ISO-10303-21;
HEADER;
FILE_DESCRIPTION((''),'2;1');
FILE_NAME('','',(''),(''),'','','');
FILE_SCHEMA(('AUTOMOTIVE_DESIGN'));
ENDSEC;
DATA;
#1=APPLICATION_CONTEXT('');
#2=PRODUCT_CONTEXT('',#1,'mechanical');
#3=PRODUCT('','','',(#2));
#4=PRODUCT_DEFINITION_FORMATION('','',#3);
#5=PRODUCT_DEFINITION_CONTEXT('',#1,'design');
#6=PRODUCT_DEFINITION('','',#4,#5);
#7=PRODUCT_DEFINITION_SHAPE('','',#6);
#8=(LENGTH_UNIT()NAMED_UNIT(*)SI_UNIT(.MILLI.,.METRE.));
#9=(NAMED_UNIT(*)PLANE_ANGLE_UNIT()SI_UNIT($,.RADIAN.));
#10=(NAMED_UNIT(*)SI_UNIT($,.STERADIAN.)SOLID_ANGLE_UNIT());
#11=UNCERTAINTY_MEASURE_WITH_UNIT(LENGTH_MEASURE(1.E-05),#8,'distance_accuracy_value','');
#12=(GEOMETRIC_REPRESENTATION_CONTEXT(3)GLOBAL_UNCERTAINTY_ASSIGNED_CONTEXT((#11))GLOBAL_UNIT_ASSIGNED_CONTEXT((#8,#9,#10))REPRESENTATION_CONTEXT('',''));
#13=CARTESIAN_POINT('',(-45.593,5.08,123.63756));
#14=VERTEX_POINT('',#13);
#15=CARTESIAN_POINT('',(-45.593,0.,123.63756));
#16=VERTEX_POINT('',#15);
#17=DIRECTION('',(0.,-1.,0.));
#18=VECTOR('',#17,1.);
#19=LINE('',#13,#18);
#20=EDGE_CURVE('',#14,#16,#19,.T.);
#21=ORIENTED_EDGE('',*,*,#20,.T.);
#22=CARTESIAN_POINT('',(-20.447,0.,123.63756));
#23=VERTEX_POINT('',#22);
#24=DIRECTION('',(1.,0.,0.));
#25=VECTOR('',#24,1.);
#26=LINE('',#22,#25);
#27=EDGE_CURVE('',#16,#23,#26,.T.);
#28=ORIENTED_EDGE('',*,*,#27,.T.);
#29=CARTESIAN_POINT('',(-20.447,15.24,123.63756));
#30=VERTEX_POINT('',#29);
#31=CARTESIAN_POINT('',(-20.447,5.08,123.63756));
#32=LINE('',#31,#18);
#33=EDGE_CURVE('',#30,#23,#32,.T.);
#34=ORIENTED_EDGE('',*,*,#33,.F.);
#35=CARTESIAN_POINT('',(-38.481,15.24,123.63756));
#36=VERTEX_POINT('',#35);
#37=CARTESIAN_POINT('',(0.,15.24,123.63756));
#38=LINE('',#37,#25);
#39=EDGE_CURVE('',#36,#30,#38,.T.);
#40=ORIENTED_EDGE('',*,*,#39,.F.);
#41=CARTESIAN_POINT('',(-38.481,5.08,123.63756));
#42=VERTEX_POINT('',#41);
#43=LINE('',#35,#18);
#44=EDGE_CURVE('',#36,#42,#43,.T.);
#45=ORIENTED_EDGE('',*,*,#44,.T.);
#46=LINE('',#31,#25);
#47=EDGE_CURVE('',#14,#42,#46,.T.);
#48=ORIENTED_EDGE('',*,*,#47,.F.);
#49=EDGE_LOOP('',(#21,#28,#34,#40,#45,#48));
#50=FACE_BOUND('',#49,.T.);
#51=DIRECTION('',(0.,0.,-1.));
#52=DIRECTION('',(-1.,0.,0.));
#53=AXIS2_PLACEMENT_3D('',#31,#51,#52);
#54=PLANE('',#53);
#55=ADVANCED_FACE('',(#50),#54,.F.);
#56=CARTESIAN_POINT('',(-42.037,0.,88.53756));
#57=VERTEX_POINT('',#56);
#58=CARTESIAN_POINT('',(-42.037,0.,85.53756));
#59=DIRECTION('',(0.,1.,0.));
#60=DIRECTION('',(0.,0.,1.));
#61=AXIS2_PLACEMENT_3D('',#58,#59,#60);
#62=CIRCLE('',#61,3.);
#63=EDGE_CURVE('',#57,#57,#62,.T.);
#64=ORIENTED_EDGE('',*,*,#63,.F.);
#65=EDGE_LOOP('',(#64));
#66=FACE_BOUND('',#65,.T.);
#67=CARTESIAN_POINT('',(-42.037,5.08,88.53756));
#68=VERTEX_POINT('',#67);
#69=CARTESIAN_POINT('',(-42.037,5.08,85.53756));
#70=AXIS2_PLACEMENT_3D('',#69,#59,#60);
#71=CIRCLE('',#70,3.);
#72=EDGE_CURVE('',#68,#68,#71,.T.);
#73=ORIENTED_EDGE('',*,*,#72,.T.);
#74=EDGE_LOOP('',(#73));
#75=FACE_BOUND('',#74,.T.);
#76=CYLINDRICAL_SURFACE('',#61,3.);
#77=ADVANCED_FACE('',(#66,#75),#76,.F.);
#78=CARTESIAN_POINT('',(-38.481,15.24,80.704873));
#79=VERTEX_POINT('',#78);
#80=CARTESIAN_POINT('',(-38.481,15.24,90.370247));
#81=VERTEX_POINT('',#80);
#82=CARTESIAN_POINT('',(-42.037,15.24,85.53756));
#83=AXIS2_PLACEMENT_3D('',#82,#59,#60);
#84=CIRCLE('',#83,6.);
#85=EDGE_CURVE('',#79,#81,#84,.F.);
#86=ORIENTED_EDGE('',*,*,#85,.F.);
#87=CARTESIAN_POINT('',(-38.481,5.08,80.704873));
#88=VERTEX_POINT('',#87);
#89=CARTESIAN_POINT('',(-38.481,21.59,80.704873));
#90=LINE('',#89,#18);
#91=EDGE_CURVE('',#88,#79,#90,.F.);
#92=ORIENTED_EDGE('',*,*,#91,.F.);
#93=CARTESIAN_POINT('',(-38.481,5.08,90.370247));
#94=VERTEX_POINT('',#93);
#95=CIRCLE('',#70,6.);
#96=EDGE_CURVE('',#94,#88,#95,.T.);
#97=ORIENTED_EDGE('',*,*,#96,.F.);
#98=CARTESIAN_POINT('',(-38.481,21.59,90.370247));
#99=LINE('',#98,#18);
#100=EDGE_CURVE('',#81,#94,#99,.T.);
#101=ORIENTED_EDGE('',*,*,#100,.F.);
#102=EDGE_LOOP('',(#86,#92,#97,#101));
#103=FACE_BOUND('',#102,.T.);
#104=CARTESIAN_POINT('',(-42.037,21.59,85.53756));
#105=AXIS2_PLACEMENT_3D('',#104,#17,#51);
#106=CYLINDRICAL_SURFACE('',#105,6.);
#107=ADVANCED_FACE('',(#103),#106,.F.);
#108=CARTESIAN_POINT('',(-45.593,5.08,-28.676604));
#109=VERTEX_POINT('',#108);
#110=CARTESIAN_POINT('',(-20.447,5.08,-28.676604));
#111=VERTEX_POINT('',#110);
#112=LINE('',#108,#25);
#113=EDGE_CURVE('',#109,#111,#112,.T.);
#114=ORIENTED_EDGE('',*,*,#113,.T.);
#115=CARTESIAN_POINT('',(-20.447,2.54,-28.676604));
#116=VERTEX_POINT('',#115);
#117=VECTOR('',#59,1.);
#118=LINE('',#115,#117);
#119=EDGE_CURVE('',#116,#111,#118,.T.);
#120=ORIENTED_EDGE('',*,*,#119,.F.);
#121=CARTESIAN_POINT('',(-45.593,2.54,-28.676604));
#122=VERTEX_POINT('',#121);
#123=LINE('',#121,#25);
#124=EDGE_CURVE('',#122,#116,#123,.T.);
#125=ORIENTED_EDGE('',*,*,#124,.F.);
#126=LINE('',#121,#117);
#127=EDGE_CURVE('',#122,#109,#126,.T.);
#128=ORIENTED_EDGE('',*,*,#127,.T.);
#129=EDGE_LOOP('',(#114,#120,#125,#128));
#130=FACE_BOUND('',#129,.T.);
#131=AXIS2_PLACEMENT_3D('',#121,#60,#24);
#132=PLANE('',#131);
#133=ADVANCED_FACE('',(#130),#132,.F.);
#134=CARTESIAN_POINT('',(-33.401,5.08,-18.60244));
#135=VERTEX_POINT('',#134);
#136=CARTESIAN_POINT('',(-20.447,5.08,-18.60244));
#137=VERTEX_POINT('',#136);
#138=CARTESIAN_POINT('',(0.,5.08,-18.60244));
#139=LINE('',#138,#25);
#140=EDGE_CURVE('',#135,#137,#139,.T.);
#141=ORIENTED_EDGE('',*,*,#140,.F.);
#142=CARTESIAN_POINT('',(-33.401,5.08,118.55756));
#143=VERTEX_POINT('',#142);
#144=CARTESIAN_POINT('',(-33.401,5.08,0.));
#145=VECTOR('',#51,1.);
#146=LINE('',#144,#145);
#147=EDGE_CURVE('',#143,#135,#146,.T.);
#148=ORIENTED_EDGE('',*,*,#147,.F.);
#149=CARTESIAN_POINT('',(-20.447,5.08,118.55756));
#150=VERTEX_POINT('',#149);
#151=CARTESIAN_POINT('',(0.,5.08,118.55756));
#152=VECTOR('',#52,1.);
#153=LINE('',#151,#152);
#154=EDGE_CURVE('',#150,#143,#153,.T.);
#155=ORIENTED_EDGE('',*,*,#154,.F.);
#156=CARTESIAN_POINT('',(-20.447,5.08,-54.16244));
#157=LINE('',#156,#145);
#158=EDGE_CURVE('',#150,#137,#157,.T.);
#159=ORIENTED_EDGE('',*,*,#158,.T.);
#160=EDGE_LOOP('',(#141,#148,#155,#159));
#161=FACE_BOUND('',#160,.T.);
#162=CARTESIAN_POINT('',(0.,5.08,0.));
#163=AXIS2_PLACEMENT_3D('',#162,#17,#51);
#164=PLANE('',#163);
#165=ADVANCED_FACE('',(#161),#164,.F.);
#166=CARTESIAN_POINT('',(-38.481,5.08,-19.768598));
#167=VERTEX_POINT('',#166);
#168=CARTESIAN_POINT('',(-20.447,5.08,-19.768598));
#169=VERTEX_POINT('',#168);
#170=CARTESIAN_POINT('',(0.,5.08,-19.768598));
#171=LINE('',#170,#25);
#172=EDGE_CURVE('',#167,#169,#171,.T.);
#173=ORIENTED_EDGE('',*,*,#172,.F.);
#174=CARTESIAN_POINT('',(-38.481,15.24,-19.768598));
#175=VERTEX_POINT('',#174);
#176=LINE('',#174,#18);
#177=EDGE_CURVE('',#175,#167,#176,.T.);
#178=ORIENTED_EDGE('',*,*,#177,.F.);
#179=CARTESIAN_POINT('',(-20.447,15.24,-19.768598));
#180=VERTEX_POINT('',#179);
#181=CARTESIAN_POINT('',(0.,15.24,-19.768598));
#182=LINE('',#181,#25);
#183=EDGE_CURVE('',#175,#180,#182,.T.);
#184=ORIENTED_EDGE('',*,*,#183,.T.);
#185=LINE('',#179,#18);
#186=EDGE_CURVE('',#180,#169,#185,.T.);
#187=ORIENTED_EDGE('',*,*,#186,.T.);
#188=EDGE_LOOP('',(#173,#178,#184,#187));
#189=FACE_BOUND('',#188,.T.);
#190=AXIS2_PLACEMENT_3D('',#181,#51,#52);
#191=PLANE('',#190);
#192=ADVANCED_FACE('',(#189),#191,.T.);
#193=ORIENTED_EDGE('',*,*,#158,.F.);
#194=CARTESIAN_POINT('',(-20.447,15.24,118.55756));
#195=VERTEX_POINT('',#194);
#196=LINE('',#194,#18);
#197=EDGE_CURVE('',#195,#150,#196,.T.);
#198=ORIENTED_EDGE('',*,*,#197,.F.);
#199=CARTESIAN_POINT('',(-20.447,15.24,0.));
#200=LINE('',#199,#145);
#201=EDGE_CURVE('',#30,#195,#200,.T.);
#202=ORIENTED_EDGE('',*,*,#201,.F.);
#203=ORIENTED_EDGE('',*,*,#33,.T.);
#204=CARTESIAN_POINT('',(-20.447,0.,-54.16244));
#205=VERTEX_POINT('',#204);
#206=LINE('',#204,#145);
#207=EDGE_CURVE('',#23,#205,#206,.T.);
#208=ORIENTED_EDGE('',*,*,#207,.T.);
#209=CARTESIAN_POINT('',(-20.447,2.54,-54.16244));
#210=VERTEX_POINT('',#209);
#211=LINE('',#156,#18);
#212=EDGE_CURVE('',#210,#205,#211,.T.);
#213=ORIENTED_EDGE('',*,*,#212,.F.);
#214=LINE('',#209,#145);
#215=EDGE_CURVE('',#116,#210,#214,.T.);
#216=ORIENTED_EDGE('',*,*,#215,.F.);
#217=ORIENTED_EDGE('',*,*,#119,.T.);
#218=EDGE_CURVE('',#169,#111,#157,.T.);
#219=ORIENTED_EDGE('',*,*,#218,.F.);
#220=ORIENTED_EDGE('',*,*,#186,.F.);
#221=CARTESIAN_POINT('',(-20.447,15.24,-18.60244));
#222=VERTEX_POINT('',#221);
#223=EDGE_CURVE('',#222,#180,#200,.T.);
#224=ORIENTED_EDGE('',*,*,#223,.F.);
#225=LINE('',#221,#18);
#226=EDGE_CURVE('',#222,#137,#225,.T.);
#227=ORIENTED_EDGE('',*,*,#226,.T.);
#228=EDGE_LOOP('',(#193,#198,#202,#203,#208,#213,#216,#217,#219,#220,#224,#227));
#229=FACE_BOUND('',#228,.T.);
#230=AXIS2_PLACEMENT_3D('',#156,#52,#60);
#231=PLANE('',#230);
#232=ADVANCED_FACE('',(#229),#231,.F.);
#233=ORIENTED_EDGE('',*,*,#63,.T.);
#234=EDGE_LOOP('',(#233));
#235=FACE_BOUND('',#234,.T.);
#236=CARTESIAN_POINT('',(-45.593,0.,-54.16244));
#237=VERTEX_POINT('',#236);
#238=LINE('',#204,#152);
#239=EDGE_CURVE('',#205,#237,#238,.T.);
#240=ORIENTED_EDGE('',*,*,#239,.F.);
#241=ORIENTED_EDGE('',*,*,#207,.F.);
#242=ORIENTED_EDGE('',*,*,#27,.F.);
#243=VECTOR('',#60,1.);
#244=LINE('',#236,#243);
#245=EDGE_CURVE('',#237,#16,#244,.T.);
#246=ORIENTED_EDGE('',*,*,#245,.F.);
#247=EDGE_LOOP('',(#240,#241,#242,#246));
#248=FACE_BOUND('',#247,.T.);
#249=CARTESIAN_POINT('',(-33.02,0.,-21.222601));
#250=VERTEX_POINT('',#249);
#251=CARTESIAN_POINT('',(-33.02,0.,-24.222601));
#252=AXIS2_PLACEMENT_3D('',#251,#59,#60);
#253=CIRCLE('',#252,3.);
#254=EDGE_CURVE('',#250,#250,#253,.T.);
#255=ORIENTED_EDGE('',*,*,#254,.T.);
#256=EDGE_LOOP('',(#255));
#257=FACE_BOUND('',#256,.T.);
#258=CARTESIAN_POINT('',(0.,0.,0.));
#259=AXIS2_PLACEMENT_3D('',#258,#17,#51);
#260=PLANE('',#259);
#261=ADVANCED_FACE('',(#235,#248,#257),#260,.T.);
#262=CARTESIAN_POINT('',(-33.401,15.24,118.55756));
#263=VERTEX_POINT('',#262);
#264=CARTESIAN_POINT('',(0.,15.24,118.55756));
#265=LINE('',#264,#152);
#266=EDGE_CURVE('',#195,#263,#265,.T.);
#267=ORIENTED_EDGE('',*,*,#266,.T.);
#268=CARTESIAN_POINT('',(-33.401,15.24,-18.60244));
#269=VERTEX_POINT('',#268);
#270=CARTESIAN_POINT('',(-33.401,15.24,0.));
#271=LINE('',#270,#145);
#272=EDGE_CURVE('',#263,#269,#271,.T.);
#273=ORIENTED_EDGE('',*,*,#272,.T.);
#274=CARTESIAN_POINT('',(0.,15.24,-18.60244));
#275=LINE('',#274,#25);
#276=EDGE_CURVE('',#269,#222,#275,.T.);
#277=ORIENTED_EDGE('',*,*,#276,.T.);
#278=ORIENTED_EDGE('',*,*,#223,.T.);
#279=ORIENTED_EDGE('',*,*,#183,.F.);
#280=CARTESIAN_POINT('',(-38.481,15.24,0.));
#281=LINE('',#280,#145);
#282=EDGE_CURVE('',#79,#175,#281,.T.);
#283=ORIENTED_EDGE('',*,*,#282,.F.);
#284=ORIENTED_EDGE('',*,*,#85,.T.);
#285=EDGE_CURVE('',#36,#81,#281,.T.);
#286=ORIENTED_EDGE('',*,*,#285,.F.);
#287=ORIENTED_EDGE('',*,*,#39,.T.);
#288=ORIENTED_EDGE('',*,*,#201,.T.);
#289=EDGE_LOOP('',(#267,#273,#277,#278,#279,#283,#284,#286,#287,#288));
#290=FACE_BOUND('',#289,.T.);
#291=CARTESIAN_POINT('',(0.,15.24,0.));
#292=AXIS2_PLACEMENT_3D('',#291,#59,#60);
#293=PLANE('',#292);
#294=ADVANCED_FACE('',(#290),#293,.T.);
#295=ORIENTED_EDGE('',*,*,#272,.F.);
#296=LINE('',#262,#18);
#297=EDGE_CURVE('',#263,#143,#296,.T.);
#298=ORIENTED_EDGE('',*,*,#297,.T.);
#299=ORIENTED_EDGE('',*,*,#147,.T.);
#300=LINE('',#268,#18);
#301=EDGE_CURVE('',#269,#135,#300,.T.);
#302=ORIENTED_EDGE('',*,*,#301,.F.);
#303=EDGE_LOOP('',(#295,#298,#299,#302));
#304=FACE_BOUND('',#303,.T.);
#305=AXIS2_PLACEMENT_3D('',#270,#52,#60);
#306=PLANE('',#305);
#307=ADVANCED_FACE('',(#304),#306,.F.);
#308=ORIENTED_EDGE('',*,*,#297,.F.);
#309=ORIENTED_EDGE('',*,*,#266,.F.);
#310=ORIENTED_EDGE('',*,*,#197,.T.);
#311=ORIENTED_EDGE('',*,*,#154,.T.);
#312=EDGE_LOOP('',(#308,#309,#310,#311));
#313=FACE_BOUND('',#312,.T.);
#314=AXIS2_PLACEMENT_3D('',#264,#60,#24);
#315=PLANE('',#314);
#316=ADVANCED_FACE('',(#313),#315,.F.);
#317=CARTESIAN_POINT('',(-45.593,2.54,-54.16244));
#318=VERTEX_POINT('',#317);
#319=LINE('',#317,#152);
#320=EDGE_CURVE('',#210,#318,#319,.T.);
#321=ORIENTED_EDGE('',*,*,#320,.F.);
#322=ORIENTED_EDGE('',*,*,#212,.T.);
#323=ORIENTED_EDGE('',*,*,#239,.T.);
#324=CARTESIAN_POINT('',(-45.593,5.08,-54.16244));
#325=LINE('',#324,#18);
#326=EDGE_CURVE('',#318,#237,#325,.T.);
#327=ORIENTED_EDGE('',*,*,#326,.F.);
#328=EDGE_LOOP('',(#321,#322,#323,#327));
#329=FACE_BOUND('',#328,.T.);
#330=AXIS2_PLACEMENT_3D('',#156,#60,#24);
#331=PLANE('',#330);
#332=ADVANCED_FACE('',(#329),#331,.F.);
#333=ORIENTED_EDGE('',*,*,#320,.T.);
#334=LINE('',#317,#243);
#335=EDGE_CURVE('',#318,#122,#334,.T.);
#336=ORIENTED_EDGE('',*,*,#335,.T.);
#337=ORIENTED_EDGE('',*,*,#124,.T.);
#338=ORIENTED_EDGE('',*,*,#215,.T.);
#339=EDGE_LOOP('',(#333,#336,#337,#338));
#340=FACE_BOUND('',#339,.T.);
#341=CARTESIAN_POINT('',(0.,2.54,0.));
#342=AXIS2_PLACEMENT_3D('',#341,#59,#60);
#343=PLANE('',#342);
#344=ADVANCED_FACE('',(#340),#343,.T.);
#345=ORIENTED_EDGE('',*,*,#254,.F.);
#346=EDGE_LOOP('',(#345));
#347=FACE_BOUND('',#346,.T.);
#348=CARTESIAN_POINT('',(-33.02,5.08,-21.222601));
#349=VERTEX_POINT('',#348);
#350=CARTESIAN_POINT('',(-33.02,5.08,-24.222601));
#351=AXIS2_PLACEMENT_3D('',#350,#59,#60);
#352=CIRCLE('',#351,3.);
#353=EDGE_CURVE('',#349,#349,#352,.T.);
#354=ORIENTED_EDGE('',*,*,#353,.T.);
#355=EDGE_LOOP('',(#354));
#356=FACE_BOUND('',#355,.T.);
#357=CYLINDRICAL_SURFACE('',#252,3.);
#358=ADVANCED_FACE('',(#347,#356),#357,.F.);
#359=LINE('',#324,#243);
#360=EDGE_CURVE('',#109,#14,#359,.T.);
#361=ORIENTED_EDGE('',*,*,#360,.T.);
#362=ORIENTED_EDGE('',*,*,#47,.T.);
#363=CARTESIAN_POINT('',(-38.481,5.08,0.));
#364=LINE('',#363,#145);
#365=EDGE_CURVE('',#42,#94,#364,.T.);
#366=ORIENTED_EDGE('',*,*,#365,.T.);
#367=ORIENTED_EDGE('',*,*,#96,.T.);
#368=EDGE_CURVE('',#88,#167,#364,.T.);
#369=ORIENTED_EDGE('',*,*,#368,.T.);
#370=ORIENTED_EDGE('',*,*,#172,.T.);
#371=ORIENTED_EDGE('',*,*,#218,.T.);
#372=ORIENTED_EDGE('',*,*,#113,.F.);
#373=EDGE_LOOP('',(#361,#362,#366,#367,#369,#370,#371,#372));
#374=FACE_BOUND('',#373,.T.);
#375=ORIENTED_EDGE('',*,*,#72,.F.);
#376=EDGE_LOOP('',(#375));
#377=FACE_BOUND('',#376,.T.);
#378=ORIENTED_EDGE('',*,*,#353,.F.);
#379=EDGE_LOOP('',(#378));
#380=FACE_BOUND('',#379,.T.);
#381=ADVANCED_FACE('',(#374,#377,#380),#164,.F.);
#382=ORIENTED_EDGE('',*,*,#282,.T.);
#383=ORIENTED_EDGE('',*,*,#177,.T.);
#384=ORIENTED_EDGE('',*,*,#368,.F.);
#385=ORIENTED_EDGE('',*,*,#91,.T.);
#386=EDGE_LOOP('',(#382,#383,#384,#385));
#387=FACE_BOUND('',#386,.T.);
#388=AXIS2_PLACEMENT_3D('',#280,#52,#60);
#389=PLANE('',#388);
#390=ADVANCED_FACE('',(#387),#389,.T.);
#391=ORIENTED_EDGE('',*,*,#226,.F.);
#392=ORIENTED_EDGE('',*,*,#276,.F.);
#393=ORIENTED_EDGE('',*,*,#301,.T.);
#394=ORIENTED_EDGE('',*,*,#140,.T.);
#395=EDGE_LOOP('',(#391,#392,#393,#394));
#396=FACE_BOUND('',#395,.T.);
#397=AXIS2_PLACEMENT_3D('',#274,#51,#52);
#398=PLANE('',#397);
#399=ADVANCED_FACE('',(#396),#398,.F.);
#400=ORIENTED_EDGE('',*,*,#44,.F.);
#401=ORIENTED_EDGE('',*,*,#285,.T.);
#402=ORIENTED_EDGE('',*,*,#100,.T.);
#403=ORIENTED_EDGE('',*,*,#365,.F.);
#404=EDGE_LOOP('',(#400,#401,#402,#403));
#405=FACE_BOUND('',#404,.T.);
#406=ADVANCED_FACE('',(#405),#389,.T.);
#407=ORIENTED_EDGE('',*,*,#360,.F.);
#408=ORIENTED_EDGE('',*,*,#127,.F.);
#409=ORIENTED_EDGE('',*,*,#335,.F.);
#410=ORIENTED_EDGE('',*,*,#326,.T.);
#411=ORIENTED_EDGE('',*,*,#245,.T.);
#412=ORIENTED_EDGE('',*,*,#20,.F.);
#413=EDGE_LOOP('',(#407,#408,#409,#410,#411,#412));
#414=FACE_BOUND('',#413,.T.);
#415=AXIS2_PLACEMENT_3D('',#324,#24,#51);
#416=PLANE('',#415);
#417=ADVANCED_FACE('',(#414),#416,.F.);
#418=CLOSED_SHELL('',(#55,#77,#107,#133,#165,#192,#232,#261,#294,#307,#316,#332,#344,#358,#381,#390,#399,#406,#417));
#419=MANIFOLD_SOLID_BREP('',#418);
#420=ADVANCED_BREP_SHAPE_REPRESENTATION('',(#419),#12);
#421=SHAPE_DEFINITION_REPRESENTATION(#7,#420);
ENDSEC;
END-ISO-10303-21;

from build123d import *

# Parameters (mm, degrees)
SKETCH1_W           = 25.146
SKETCH1_H           = 177.8
BOSS_EXTRUDE1_DEPTH = 5.08
BOSS_EXTRUDE3_DEPTH = 10.16
SKETCH4_W           = 25.146
SKETCH4_H           = 25.485835905
CUT_EXTRUDE1_DEPTH  = 2.54
SKETCH5_R           = 3
CUT_EXTRUDE2_DEPTH  = 133.167293803
SKETCH6_R           = 6
SKETCH6_R_2         = 3
CUT_EXTRUDE3_DEPTH  = 16.51
CUT_EXTRUDE4_DEPTH  = 133.167293803


with BuildPart() as part:
    # Sketch1 → Boss-Extrude1 (new body)
    with BuildSketch(Plane(origin=(0, 0, 0), x_dir=(1, 0, 0), z_dir=(0, 1, 0))):
        with Locations((-33.02, -34.737560241)):
            Rectangle(SKETCH1_W, SKETCH1_H)
    extrude(amount=BOSS_EXTRUDE1_DEPTH)

    # Sketch3 → Boss-Extrude3 (add)
    with BuildSketch(Plane(origin=(0, 5.08, 0), x_dir=(1, 0, 0), z_dir=(0, 1, 0))):
        Polygon((-38.481, -123.637560241), (-20.447, -123.637560241), (-20.447, -118.557560241), (-33.401, -118.557560241), (-33.401, 18.602439759), (-20.447, 18.602439759), (-20.447, 19.76859762), (-38.481, 19.76859762), align=None)
    extrude(amount=BOSS_EXTRUDE3_DEPTH)

    # Sketch4 → Cut-Extrude1 (cut)
    with BuildSketch(Plane(origin=(0, 5.08, 0), x_dir=(1, 0, 0), z_dir=(0, 1, 0))):
        with Locations((-33.02, 41.419521807)):
            Rectangle(SKETCH4_W, SKETCH4_H)
    extrude(amount=-CUT_EXTRUDE1_DEPTH, mode=Mode.SUBTRACT)

    # Sketch5 → Cut-Extrude2 (cut, through all)
    with BuildSketch(Plane(origin=(0, 5.08, 0), x_dir=(1, 0, 0), z_dir=(0, 1, 0))):
        with Locations(Location((-33.02, 24.222600737, 0), (0, 0, 270))):
            Circle(SKETCH5_R)
    extrude(amount=-CUT_EXTRUDE2_DEPTH, mode=Mode.SUBTRACT)

    # Sketch6 → Cut-Extrude3 (cut)
    with BuildSketch(Plane(origin=(0, 5.08, 0), x_dir=(1, 0, 0), z_dir=(0, 1, 0))):
        with Locations((-42.037, -85.537560241)):
            Circle(SKETCH6_R)
        with Locations((-42.037, -85.537560241)):
            Circle(SKETCH6_R_2, mode=Mode.SUBTRACT)
    extrude(amount=CUT_EXTRUDE3_DEPTH, mode=Mode.SUBTRACT)

    # Sketch6<3> → Cut-Extrude4 (cut, through all)
    with BuildSketch(Plane(origin=(0, 5.08, 0), x_dir=(1, 0, 0), z_dir=(0, 1, 0))):
        with BuildLine():
            ThreePointArc((-42.037, -82.537560241), (-45.037, -85.537560241), (-42.037, -88.537560241))
            Line((-42.037, -88.537560241), (-42.037, -82.537560241))
        make_face()
        with BuildLine():
            Line((-42.037, -82.537560241), (-42.037, -88.537560241))
            ThreePointArc((-42.037, -88.537560241), (-39.915679656, -87.658880585), (-39.037, -85.537560241))
            ThreePointArc((-39.037, -85.537560241), (-39.915679656, -83.416239897), (-42.037, -82.537560241))
        make_face()
    extrude(amount=-CUT_EXTRUDE4_DEPTH, mode=Mode.SUBTRACT)


solid = part.part
